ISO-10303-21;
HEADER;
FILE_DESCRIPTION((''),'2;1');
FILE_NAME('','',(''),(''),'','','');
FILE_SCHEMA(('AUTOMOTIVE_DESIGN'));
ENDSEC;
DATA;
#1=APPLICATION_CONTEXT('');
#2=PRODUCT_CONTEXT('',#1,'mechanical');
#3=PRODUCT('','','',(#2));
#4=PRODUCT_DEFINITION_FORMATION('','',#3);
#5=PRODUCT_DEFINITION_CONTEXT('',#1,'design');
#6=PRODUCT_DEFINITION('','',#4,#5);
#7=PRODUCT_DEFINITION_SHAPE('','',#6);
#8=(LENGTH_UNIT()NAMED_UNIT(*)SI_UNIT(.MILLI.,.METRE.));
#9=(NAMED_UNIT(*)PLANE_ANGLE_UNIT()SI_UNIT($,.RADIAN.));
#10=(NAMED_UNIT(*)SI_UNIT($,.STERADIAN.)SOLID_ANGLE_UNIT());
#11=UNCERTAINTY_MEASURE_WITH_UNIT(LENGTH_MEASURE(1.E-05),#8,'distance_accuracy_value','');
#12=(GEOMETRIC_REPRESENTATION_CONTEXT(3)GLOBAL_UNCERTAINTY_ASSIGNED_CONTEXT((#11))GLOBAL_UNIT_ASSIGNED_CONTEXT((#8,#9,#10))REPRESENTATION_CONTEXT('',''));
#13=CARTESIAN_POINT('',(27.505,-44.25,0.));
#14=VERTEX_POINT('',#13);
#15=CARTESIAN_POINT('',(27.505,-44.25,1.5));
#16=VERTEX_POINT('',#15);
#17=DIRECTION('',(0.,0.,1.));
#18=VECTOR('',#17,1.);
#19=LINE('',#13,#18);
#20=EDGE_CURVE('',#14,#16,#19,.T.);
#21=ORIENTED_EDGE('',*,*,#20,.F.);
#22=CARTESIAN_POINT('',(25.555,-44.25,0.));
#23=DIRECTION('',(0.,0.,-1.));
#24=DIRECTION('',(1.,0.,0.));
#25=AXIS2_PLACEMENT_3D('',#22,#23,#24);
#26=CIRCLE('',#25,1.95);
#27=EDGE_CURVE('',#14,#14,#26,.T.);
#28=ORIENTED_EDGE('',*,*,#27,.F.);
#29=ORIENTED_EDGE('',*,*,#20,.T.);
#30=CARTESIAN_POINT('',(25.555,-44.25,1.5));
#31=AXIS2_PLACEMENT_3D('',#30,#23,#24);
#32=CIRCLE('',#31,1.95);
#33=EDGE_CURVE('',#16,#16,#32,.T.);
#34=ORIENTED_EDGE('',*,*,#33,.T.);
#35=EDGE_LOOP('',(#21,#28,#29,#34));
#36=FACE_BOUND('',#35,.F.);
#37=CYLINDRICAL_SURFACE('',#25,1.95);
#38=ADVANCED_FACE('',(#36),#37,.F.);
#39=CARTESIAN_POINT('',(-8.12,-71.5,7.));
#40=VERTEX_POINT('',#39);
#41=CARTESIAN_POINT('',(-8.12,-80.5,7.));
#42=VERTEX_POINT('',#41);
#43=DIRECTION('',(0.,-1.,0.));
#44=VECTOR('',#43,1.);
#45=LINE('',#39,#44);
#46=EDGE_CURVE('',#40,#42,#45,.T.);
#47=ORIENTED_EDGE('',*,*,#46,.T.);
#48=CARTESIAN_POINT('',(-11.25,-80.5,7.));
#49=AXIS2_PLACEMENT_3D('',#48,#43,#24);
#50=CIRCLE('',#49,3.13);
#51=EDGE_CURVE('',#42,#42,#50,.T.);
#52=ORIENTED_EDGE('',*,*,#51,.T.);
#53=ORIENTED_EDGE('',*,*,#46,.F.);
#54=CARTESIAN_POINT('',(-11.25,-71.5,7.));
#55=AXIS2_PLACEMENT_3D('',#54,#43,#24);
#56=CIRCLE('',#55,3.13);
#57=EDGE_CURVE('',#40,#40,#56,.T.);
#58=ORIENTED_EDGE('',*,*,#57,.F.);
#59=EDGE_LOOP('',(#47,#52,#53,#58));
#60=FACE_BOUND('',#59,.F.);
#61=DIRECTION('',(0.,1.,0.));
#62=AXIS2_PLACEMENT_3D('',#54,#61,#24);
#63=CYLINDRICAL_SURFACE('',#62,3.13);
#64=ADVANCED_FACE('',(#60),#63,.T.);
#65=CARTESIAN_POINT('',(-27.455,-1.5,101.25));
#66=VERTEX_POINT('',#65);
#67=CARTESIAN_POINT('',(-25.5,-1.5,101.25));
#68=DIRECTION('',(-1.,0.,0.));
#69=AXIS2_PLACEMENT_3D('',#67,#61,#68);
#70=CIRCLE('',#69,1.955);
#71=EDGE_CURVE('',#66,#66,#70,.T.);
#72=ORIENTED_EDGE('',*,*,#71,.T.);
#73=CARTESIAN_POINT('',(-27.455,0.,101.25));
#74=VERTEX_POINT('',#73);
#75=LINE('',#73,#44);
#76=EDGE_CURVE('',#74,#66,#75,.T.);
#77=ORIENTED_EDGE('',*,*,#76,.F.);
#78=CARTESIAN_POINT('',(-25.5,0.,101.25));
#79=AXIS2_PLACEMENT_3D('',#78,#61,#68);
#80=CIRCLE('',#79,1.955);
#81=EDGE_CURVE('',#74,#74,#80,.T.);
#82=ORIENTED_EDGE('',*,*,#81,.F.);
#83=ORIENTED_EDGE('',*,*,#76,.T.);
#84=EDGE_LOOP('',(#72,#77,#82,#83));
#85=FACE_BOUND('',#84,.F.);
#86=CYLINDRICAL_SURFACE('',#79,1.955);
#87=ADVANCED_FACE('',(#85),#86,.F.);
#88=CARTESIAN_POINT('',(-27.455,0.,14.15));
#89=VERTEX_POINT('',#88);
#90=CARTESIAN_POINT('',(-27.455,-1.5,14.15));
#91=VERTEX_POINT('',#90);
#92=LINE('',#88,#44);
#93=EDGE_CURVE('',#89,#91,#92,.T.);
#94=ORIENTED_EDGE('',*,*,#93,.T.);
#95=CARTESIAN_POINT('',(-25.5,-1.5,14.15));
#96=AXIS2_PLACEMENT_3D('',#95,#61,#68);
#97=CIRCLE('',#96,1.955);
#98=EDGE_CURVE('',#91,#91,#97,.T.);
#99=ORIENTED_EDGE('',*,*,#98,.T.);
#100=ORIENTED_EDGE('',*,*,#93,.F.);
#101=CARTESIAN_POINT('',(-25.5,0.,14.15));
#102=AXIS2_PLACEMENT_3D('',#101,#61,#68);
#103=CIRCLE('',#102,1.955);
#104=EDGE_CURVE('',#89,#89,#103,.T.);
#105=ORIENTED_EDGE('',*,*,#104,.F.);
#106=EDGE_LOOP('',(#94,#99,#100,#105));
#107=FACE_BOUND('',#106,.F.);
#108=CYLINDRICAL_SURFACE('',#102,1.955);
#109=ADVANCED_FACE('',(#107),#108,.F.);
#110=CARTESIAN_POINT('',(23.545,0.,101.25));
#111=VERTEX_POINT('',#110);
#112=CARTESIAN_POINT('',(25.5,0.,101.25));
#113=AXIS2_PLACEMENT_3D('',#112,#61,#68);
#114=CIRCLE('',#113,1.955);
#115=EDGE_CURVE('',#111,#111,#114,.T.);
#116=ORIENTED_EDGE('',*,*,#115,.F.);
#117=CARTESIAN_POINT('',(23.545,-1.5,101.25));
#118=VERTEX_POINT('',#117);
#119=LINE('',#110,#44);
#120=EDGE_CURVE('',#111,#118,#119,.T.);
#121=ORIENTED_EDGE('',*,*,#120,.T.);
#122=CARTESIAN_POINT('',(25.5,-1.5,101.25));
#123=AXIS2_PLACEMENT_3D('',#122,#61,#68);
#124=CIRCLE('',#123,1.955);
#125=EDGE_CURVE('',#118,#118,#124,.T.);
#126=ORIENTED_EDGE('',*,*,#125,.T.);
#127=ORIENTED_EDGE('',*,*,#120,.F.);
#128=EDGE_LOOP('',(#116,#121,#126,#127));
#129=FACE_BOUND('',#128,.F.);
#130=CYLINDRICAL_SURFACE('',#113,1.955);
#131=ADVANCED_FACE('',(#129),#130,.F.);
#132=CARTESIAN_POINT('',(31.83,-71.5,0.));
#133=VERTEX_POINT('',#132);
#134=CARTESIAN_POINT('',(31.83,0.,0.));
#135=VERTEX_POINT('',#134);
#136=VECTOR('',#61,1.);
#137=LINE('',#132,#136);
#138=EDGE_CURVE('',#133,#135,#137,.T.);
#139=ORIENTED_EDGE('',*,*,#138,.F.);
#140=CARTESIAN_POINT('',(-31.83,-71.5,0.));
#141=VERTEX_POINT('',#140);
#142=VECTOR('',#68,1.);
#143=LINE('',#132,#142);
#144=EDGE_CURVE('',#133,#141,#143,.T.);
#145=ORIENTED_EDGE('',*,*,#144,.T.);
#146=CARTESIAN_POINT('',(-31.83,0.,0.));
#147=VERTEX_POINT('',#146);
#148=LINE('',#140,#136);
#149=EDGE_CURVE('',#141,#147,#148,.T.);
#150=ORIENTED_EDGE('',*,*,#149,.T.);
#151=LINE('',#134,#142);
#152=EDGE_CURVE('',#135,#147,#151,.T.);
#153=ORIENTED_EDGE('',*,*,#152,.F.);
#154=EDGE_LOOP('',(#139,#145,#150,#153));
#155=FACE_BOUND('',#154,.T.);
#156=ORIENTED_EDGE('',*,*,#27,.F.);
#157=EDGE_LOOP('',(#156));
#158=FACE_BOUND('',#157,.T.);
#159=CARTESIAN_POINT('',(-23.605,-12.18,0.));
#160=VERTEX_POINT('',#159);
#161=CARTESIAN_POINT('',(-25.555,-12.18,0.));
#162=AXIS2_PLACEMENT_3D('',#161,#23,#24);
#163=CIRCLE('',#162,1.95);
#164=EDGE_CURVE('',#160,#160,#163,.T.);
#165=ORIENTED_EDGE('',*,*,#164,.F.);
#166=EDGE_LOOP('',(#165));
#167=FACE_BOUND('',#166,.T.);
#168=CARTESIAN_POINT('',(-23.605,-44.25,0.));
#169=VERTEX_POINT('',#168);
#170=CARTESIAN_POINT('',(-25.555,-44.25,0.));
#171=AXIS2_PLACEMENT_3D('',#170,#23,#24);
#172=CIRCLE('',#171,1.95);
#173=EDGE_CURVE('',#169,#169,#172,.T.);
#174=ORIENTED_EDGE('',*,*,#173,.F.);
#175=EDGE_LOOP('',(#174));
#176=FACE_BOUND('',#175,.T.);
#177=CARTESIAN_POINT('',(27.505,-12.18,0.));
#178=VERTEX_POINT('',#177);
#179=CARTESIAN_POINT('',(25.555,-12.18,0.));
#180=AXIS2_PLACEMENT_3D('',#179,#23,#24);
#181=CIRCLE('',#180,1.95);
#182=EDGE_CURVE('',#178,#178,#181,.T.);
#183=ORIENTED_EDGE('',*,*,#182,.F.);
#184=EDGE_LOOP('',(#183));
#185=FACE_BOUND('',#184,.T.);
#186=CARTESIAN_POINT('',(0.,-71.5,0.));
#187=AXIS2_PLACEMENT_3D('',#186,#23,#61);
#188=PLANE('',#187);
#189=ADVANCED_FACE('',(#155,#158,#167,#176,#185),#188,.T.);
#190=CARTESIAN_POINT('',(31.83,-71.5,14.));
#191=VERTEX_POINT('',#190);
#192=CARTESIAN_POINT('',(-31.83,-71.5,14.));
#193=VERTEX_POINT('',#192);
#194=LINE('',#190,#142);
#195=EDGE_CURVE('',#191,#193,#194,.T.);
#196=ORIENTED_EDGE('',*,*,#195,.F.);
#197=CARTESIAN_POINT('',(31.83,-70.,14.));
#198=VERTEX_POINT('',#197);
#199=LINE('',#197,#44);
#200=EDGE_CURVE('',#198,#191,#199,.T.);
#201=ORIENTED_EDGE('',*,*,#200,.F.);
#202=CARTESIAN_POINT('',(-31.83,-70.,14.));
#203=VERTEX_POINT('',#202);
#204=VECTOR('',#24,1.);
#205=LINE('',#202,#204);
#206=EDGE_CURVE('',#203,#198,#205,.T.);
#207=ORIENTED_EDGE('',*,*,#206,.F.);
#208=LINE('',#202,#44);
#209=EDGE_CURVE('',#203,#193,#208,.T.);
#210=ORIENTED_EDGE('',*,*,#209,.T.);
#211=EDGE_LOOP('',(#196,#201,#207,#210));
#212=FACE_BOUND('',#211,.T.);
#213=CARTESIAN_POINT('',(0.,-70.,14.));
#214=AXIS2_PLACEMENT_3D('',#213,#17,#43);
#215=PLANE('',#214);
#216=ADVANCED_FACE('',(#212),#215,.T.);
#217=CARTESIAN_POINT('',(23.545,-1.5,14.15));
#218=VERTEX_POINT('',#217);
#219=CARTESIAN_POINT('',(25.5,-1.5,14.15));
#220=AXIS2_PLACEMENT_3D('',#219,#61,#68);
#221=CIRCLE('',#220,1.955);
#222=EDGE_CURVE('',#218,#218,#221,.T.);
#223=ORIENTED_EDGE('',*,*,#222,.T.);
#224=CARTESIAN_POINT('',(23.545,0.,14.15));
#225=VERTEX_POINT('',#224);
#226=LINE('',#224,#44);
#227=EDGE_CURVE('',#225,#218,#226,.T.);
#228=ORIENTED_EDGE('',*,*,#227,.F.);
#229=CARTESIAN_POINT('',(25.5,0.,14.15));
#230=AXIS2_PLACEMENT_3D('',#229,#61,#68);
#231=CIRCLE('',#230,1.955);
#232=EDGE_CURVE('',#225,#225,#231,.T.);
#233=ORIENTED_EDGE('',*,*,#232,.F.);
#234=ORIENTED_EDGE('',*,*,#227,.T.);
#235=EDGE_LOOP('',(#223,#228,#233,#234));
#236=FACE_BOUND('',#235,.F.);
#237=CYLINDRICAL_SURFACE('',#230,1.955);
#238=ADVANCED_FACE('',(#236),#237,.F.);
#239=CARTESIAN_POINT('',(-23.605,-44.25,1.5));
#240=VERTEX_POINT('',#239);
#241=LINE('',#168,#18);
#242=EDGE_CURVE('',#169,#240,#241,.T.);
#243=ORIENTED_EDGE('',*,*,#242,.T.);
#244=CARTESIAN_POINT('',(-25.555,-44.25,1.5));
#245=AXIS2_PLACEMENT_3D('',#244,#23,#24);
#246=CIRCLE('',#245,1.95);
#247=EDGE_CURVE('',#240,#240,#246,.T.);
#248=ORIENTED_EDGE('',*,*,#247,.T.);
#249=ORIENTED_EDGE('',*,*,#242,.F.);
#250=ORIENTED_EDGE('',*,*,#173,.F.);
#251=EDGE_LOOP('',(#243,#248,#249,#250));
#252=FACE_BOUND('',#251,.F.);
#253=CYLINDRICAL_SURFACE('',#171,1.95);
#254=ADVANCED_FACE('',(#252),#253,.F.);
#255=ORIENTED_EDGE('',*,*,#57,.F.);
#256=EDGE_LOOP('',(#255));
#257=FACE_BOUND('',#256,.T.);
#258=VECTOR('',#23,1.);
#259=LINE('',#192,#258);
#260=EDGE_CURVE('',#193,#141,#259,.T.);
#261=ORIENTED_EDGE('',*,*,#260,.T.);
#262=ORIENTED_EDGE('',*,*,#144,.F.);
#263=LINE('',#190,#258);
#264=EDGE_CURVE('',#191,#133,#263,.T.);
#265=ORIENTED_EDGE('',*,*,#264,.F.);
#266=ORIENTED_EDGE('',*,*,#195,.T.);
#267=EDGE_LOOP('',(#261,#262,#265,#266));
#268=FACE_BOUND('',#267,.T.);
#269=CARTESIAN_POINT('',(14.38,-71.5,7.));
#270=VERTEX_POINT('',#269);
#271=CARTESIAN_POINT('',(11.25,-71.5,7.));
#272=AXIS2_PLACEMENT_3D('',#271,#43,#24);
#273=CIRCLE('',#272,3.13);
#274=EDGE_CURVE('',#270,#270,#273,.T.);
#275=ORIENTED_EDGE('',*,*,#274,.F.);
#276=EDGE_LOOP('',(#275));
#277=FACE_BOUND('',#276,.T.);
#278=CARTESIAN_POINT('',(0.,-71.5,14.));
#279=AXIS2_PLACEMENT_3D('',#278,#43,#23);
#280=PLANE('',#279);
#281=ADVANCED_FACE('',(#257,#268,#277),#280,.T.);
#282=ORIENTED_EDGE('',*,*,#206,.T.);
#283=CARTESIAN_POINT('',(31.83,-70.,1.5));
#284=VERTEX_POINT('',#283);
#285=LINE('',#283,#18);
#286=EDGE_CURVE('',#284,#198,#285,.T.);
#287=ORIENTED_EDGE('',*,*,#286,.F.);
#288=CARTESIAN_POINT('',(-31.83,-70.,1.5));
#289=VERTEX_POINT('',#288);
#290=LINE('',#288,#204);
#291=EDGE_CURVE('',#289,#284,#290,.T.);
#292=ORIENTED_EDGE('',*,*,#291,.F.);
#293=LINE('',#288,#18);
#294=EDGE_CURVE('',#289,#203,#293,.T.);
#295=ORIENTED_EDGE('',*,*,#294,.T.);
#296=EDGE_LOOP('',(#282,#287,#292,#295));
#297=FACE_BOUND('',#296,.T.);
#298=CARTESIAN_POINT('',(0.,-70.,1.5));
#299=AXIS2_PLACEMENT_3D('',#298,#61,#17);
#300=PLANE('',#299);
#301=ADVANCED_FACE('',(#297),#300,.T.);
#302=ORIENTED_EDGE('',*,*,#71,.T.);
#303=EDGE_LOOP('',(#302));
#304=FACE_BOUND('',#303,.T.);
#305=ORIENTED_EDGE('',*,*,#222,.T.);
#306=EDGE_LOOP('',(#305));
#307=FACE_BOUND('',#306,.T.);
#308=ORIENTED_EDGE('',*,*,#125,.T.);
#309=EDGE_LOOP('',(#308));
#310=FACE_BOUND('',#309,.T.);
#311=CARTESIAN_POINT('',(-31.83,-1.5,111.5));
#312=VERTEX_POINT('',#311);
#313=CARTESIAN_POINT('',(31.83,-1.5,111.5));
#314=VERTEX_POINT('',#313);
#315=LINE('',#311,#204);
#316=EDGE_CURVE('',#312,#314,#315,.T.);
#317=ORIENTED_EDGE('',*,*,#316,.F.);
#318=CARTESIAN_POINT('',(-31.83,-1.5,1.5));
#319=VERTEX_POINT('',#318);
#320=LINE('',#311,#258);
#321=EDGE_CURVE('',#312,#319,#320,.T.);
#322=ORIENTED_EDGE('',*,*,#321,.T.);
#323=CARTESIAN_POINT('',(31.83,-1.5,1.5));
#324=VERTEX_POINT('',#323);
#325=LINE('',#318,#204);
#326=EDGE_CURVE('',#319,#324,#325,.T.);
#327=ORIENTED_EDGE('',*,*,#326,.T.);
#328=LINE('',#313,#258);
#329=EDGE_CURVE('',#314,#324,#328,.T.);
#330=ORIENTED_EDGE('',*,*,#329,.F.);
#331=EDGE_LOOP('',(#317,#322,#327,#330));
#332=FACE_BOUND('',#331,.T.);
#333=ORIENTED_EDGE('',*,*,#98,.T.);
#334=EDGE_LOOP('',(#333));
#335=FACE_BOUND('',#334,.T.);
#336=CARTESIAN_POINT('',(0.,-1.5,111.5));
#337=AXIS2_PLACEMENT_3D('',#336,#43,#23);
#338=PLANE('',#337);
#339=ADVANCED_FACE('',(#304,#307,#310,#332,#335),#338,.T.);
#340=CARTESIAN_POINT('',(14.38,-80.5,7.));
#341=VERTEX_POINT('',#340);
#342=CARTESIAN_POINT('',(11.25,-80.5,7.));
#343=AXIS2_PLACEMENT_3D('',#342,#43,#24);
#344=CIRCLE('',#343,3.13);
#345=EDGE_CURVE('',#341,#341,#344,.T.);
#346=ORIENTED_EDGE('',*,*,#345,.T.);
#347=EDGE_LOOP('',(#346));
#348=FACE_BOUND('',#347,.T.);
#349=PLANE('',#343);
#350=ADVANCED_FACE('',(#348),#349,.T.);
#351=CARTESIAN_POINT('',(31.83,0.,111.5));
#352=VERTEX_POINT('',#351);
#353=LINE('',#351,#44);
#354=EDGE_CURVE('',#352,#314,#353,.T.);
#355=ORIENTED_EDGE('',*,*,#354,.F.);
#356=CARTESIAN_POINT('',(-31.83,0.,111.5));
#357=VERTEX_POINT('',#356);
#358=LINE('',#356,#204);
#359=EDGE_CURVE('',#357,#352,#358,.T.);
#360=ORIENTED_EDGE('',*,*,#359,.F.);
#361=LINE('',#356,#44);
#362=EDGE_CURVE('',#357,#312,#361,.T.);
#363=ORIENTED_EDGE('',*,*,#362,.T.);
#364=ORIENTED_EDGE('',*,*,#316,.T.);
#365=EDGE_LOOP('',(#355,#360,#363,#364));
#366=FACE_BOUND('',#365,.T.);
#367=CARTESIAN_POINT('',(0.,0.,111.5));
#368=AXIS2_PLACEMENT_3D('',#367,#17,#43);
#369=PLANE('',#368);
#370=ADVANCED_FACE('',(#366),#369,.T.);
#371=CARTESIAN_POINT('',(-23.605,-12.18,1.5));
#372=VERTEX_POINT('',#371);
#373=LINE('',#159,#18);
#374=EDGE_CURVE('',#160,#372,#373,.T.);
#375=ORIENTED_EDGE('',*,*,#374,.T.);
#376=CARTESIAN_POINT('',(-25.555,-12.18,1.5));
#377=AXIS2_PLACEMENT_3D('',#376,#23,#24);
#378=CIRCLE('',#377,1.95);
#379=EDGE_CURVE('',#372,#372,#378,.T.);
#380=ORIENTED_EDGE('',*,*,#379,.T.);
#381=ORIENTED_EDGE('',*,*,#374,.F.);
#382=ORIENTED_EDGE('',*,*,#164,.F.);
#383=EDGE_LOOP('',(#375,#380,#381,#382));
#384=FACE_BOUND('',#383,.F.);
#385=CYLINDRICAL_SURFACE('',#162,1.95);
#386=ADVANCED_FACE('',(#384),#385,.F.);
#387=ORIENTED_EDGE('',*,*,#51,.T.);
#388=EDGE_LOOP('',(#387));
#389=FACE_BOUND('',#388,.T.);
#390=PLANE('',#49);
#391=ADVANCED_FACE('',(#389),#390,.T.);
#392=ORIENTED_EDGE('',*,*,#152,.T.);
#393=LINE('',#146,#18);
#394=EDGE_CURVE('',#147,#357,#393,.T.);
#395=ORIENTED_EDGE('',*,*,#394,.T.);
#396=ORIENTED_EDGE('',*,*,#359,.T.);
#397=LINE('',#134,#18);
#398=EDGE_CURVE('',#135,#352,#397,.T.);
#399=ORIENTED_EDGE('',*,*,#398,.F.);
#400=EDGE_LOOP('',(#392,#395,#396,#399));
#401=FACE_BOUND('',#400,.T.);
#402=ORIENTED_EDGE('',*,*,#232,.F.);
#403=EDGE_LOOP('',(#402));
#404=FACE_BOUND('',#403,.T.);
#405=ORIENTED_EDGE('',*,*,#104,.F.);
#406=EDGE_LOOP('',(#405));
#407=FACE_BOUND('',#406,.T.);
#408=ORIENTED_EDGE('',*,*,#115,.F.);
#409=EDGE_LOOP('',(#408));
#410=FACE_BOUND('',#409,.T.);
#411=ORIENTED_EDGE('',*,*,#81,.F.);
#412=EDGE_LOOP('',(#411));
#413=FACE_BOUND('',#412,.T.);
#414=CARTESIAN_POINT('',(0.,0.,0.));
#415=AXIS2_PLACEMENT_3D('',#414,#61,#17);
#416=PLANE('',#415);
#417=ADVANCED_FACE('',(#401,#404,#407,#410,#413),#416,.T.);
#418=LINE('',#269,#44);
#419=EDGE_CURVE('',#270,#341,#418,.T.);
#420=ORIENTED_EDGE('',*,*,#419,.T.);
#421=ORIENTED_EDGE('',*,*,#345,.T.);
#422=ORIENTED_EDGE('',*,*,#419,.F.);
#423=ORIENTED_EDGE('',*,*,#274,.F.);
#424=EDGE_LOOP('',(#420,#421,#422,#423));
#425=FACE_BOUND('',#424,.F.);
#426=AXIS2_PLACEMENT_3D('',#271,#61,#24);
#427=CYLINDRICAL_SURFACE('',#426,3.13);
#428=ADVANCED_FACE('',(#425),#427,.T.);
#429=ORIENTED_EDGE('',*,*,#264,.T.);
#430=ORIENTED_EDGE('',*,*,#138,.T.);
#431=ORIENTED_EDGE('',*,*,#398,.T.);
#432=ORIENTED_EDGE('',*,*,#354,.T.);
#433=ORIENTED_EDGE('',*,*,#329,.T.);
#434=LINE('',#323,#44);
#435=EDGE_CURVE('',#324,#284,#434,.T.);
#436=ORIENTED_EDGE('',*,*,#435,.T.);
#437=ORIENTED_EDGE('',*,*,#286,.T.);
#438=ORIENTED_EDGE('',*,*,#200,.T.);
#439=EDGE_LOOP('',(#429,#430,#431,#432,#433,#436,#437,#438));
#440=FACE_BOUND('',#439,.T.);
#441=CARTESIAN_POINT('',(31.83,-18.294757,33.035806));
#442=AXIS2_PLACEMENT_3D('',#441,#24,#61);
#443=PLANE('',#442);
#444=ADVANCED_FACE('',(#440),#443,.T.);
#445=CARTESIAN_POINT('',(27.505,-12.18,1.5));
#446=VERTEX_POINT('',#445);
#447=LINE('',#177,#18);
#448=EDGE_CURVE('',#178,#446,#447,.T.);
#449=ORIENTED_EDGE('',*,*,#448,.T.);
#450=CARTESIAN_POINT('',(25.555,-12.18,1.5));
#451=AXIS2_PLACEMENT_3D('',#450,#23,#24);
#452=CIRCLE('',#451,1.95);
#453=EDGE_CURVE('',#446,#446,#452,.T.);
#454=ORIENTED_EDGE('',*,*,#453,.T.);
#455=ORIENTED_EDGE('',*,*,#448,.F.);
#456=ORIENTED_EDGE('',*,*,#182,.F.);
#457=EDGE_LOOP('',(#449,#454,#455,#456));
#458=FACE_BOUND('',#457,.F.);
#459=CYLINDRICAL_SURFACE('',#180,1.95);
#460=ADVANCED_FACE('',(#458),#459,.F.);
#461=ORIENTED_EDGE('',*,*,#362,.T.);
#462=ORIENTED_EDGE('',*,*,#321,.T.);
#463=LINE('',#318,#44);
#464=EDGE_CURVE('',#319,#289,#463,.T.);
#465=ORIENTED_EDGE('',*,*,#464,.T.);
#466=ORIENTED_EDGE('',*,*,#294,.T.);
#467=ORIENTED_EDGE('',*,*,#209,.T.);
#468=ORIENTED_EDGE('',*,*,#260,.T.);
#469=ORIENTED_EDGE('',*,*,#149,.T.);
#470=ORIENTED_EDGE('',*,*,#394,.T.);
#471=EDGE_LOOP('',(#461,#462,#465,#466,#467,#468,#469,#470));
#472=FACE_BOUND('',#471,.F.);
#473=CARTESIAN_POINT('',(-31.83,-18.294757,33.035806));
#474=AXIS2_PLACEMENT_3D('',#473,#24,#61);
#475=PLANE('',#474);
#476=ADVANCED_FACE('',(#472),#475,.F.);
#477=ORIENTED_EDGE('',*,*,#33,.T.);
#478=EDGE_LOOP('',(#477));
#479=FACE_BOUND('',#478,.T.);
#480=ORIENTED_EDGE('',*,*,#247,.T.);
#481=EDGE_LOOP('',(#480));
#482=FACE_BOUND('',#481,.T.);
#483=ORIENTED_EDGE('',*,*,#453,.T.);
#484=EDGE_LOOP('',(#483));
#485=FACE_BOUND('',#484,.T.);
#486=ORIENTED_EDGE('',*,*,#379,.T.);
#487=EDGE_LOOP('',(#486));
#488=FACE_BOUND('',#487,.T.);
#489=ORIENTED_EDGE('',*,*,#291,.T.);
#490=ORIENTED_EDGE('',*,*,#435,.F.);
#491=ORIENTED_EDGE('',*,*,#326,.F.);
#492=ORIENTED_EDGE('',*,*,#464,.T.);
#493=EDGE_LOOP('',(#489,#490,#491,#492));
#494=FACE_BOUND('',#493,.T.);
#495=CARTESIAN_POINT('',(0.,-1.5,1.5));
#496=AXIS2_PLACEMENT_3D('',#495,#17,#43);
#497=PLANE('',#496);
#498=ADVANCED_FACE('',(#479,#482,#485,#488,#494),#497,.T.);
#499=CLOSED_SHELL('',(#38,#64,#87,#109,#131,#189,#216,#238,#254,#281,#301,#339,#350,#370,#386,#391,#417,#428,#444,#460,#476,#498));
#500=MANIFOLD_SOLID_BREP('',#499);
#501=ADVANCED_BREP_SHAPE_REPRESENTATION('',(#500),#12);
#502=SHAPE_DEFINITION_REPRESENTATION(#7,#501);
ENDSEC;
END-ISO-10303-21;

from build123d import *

# Parameters (mm, degrees)
F1_DEPTH      = 31.83
F1_DEPTH_BACK = 31.83
F2_R          = 1.955
F3_DEPTH      = 25
F4_R          = 3.13
F5_DEPTH      = 9
F6_R          = 1.95
F7_DEPTH      = 25


with BuildPart() as f1:
    # F0 (on Right) → F1 (new body, two sides)
    with BuildSketch(Plane.YZ) as f1_sk:
        Polygon((0, 0), (0, 111.5), (-1.5, 111.5), (-1.5, 1.5), (-70, 1.5), (-70, 14), (-71.5, 14), (-71.5, 0), align=None)
    extrude(amount=F1_DEPTH)
    extrude(f1_sk.sketch, amount=-F1_DEPTH_BACK)

    # F2 (on face) → F3 (cut)
    with BuildSketch(Plane(origin=(0, 0, 0), x_dir=(-1, 0, 0), z_dir=(0, 1, 0))):
        with Locations((-25.5, 101.25)):
            Circle(F2_R)
        with Locations((25.5, 101.25)):
            Circle(F2_R)
        with Locations((25.5, 14.15)):
            Circle(F2_R)
        with Locations((-25.5, 14.15)):
            Circle(F2_R)
    extrude(amount=-F3_DEPTH, mode=Mode.SUBTRACT)

    # F4 (on face) → F5 (join)
    with BuildSketch(Plane.XZ.offset(71.5)):
        with Locations((-11.25, 7)):
            Circle(F4_R)
        with Locations((11.25, 7)):
            Circle(F4_R)
    extrude(amount=F5_DEPTH)

    # F6 (on face) → F7 (cut)
    with BuildSketch(Plane(origin=(0, 0, 0), x_dir=(1, 0, 0), z_dir=(0, 0, -1))):
        with Locations((-25.555, 44.25)):
            Circle(F6_R)
        with Locations((25.555, 44.25)):
            Circle(F6_R)
        with Locations((25.555, 12.18)):
            Circle(F6_R)
        with Locations((-25.555, 12.18)):
            Circle(F6_R)
    extrude(amount=-F7_DEPTH, mode=Mode.SUBTRACT)


solid = f1.part
